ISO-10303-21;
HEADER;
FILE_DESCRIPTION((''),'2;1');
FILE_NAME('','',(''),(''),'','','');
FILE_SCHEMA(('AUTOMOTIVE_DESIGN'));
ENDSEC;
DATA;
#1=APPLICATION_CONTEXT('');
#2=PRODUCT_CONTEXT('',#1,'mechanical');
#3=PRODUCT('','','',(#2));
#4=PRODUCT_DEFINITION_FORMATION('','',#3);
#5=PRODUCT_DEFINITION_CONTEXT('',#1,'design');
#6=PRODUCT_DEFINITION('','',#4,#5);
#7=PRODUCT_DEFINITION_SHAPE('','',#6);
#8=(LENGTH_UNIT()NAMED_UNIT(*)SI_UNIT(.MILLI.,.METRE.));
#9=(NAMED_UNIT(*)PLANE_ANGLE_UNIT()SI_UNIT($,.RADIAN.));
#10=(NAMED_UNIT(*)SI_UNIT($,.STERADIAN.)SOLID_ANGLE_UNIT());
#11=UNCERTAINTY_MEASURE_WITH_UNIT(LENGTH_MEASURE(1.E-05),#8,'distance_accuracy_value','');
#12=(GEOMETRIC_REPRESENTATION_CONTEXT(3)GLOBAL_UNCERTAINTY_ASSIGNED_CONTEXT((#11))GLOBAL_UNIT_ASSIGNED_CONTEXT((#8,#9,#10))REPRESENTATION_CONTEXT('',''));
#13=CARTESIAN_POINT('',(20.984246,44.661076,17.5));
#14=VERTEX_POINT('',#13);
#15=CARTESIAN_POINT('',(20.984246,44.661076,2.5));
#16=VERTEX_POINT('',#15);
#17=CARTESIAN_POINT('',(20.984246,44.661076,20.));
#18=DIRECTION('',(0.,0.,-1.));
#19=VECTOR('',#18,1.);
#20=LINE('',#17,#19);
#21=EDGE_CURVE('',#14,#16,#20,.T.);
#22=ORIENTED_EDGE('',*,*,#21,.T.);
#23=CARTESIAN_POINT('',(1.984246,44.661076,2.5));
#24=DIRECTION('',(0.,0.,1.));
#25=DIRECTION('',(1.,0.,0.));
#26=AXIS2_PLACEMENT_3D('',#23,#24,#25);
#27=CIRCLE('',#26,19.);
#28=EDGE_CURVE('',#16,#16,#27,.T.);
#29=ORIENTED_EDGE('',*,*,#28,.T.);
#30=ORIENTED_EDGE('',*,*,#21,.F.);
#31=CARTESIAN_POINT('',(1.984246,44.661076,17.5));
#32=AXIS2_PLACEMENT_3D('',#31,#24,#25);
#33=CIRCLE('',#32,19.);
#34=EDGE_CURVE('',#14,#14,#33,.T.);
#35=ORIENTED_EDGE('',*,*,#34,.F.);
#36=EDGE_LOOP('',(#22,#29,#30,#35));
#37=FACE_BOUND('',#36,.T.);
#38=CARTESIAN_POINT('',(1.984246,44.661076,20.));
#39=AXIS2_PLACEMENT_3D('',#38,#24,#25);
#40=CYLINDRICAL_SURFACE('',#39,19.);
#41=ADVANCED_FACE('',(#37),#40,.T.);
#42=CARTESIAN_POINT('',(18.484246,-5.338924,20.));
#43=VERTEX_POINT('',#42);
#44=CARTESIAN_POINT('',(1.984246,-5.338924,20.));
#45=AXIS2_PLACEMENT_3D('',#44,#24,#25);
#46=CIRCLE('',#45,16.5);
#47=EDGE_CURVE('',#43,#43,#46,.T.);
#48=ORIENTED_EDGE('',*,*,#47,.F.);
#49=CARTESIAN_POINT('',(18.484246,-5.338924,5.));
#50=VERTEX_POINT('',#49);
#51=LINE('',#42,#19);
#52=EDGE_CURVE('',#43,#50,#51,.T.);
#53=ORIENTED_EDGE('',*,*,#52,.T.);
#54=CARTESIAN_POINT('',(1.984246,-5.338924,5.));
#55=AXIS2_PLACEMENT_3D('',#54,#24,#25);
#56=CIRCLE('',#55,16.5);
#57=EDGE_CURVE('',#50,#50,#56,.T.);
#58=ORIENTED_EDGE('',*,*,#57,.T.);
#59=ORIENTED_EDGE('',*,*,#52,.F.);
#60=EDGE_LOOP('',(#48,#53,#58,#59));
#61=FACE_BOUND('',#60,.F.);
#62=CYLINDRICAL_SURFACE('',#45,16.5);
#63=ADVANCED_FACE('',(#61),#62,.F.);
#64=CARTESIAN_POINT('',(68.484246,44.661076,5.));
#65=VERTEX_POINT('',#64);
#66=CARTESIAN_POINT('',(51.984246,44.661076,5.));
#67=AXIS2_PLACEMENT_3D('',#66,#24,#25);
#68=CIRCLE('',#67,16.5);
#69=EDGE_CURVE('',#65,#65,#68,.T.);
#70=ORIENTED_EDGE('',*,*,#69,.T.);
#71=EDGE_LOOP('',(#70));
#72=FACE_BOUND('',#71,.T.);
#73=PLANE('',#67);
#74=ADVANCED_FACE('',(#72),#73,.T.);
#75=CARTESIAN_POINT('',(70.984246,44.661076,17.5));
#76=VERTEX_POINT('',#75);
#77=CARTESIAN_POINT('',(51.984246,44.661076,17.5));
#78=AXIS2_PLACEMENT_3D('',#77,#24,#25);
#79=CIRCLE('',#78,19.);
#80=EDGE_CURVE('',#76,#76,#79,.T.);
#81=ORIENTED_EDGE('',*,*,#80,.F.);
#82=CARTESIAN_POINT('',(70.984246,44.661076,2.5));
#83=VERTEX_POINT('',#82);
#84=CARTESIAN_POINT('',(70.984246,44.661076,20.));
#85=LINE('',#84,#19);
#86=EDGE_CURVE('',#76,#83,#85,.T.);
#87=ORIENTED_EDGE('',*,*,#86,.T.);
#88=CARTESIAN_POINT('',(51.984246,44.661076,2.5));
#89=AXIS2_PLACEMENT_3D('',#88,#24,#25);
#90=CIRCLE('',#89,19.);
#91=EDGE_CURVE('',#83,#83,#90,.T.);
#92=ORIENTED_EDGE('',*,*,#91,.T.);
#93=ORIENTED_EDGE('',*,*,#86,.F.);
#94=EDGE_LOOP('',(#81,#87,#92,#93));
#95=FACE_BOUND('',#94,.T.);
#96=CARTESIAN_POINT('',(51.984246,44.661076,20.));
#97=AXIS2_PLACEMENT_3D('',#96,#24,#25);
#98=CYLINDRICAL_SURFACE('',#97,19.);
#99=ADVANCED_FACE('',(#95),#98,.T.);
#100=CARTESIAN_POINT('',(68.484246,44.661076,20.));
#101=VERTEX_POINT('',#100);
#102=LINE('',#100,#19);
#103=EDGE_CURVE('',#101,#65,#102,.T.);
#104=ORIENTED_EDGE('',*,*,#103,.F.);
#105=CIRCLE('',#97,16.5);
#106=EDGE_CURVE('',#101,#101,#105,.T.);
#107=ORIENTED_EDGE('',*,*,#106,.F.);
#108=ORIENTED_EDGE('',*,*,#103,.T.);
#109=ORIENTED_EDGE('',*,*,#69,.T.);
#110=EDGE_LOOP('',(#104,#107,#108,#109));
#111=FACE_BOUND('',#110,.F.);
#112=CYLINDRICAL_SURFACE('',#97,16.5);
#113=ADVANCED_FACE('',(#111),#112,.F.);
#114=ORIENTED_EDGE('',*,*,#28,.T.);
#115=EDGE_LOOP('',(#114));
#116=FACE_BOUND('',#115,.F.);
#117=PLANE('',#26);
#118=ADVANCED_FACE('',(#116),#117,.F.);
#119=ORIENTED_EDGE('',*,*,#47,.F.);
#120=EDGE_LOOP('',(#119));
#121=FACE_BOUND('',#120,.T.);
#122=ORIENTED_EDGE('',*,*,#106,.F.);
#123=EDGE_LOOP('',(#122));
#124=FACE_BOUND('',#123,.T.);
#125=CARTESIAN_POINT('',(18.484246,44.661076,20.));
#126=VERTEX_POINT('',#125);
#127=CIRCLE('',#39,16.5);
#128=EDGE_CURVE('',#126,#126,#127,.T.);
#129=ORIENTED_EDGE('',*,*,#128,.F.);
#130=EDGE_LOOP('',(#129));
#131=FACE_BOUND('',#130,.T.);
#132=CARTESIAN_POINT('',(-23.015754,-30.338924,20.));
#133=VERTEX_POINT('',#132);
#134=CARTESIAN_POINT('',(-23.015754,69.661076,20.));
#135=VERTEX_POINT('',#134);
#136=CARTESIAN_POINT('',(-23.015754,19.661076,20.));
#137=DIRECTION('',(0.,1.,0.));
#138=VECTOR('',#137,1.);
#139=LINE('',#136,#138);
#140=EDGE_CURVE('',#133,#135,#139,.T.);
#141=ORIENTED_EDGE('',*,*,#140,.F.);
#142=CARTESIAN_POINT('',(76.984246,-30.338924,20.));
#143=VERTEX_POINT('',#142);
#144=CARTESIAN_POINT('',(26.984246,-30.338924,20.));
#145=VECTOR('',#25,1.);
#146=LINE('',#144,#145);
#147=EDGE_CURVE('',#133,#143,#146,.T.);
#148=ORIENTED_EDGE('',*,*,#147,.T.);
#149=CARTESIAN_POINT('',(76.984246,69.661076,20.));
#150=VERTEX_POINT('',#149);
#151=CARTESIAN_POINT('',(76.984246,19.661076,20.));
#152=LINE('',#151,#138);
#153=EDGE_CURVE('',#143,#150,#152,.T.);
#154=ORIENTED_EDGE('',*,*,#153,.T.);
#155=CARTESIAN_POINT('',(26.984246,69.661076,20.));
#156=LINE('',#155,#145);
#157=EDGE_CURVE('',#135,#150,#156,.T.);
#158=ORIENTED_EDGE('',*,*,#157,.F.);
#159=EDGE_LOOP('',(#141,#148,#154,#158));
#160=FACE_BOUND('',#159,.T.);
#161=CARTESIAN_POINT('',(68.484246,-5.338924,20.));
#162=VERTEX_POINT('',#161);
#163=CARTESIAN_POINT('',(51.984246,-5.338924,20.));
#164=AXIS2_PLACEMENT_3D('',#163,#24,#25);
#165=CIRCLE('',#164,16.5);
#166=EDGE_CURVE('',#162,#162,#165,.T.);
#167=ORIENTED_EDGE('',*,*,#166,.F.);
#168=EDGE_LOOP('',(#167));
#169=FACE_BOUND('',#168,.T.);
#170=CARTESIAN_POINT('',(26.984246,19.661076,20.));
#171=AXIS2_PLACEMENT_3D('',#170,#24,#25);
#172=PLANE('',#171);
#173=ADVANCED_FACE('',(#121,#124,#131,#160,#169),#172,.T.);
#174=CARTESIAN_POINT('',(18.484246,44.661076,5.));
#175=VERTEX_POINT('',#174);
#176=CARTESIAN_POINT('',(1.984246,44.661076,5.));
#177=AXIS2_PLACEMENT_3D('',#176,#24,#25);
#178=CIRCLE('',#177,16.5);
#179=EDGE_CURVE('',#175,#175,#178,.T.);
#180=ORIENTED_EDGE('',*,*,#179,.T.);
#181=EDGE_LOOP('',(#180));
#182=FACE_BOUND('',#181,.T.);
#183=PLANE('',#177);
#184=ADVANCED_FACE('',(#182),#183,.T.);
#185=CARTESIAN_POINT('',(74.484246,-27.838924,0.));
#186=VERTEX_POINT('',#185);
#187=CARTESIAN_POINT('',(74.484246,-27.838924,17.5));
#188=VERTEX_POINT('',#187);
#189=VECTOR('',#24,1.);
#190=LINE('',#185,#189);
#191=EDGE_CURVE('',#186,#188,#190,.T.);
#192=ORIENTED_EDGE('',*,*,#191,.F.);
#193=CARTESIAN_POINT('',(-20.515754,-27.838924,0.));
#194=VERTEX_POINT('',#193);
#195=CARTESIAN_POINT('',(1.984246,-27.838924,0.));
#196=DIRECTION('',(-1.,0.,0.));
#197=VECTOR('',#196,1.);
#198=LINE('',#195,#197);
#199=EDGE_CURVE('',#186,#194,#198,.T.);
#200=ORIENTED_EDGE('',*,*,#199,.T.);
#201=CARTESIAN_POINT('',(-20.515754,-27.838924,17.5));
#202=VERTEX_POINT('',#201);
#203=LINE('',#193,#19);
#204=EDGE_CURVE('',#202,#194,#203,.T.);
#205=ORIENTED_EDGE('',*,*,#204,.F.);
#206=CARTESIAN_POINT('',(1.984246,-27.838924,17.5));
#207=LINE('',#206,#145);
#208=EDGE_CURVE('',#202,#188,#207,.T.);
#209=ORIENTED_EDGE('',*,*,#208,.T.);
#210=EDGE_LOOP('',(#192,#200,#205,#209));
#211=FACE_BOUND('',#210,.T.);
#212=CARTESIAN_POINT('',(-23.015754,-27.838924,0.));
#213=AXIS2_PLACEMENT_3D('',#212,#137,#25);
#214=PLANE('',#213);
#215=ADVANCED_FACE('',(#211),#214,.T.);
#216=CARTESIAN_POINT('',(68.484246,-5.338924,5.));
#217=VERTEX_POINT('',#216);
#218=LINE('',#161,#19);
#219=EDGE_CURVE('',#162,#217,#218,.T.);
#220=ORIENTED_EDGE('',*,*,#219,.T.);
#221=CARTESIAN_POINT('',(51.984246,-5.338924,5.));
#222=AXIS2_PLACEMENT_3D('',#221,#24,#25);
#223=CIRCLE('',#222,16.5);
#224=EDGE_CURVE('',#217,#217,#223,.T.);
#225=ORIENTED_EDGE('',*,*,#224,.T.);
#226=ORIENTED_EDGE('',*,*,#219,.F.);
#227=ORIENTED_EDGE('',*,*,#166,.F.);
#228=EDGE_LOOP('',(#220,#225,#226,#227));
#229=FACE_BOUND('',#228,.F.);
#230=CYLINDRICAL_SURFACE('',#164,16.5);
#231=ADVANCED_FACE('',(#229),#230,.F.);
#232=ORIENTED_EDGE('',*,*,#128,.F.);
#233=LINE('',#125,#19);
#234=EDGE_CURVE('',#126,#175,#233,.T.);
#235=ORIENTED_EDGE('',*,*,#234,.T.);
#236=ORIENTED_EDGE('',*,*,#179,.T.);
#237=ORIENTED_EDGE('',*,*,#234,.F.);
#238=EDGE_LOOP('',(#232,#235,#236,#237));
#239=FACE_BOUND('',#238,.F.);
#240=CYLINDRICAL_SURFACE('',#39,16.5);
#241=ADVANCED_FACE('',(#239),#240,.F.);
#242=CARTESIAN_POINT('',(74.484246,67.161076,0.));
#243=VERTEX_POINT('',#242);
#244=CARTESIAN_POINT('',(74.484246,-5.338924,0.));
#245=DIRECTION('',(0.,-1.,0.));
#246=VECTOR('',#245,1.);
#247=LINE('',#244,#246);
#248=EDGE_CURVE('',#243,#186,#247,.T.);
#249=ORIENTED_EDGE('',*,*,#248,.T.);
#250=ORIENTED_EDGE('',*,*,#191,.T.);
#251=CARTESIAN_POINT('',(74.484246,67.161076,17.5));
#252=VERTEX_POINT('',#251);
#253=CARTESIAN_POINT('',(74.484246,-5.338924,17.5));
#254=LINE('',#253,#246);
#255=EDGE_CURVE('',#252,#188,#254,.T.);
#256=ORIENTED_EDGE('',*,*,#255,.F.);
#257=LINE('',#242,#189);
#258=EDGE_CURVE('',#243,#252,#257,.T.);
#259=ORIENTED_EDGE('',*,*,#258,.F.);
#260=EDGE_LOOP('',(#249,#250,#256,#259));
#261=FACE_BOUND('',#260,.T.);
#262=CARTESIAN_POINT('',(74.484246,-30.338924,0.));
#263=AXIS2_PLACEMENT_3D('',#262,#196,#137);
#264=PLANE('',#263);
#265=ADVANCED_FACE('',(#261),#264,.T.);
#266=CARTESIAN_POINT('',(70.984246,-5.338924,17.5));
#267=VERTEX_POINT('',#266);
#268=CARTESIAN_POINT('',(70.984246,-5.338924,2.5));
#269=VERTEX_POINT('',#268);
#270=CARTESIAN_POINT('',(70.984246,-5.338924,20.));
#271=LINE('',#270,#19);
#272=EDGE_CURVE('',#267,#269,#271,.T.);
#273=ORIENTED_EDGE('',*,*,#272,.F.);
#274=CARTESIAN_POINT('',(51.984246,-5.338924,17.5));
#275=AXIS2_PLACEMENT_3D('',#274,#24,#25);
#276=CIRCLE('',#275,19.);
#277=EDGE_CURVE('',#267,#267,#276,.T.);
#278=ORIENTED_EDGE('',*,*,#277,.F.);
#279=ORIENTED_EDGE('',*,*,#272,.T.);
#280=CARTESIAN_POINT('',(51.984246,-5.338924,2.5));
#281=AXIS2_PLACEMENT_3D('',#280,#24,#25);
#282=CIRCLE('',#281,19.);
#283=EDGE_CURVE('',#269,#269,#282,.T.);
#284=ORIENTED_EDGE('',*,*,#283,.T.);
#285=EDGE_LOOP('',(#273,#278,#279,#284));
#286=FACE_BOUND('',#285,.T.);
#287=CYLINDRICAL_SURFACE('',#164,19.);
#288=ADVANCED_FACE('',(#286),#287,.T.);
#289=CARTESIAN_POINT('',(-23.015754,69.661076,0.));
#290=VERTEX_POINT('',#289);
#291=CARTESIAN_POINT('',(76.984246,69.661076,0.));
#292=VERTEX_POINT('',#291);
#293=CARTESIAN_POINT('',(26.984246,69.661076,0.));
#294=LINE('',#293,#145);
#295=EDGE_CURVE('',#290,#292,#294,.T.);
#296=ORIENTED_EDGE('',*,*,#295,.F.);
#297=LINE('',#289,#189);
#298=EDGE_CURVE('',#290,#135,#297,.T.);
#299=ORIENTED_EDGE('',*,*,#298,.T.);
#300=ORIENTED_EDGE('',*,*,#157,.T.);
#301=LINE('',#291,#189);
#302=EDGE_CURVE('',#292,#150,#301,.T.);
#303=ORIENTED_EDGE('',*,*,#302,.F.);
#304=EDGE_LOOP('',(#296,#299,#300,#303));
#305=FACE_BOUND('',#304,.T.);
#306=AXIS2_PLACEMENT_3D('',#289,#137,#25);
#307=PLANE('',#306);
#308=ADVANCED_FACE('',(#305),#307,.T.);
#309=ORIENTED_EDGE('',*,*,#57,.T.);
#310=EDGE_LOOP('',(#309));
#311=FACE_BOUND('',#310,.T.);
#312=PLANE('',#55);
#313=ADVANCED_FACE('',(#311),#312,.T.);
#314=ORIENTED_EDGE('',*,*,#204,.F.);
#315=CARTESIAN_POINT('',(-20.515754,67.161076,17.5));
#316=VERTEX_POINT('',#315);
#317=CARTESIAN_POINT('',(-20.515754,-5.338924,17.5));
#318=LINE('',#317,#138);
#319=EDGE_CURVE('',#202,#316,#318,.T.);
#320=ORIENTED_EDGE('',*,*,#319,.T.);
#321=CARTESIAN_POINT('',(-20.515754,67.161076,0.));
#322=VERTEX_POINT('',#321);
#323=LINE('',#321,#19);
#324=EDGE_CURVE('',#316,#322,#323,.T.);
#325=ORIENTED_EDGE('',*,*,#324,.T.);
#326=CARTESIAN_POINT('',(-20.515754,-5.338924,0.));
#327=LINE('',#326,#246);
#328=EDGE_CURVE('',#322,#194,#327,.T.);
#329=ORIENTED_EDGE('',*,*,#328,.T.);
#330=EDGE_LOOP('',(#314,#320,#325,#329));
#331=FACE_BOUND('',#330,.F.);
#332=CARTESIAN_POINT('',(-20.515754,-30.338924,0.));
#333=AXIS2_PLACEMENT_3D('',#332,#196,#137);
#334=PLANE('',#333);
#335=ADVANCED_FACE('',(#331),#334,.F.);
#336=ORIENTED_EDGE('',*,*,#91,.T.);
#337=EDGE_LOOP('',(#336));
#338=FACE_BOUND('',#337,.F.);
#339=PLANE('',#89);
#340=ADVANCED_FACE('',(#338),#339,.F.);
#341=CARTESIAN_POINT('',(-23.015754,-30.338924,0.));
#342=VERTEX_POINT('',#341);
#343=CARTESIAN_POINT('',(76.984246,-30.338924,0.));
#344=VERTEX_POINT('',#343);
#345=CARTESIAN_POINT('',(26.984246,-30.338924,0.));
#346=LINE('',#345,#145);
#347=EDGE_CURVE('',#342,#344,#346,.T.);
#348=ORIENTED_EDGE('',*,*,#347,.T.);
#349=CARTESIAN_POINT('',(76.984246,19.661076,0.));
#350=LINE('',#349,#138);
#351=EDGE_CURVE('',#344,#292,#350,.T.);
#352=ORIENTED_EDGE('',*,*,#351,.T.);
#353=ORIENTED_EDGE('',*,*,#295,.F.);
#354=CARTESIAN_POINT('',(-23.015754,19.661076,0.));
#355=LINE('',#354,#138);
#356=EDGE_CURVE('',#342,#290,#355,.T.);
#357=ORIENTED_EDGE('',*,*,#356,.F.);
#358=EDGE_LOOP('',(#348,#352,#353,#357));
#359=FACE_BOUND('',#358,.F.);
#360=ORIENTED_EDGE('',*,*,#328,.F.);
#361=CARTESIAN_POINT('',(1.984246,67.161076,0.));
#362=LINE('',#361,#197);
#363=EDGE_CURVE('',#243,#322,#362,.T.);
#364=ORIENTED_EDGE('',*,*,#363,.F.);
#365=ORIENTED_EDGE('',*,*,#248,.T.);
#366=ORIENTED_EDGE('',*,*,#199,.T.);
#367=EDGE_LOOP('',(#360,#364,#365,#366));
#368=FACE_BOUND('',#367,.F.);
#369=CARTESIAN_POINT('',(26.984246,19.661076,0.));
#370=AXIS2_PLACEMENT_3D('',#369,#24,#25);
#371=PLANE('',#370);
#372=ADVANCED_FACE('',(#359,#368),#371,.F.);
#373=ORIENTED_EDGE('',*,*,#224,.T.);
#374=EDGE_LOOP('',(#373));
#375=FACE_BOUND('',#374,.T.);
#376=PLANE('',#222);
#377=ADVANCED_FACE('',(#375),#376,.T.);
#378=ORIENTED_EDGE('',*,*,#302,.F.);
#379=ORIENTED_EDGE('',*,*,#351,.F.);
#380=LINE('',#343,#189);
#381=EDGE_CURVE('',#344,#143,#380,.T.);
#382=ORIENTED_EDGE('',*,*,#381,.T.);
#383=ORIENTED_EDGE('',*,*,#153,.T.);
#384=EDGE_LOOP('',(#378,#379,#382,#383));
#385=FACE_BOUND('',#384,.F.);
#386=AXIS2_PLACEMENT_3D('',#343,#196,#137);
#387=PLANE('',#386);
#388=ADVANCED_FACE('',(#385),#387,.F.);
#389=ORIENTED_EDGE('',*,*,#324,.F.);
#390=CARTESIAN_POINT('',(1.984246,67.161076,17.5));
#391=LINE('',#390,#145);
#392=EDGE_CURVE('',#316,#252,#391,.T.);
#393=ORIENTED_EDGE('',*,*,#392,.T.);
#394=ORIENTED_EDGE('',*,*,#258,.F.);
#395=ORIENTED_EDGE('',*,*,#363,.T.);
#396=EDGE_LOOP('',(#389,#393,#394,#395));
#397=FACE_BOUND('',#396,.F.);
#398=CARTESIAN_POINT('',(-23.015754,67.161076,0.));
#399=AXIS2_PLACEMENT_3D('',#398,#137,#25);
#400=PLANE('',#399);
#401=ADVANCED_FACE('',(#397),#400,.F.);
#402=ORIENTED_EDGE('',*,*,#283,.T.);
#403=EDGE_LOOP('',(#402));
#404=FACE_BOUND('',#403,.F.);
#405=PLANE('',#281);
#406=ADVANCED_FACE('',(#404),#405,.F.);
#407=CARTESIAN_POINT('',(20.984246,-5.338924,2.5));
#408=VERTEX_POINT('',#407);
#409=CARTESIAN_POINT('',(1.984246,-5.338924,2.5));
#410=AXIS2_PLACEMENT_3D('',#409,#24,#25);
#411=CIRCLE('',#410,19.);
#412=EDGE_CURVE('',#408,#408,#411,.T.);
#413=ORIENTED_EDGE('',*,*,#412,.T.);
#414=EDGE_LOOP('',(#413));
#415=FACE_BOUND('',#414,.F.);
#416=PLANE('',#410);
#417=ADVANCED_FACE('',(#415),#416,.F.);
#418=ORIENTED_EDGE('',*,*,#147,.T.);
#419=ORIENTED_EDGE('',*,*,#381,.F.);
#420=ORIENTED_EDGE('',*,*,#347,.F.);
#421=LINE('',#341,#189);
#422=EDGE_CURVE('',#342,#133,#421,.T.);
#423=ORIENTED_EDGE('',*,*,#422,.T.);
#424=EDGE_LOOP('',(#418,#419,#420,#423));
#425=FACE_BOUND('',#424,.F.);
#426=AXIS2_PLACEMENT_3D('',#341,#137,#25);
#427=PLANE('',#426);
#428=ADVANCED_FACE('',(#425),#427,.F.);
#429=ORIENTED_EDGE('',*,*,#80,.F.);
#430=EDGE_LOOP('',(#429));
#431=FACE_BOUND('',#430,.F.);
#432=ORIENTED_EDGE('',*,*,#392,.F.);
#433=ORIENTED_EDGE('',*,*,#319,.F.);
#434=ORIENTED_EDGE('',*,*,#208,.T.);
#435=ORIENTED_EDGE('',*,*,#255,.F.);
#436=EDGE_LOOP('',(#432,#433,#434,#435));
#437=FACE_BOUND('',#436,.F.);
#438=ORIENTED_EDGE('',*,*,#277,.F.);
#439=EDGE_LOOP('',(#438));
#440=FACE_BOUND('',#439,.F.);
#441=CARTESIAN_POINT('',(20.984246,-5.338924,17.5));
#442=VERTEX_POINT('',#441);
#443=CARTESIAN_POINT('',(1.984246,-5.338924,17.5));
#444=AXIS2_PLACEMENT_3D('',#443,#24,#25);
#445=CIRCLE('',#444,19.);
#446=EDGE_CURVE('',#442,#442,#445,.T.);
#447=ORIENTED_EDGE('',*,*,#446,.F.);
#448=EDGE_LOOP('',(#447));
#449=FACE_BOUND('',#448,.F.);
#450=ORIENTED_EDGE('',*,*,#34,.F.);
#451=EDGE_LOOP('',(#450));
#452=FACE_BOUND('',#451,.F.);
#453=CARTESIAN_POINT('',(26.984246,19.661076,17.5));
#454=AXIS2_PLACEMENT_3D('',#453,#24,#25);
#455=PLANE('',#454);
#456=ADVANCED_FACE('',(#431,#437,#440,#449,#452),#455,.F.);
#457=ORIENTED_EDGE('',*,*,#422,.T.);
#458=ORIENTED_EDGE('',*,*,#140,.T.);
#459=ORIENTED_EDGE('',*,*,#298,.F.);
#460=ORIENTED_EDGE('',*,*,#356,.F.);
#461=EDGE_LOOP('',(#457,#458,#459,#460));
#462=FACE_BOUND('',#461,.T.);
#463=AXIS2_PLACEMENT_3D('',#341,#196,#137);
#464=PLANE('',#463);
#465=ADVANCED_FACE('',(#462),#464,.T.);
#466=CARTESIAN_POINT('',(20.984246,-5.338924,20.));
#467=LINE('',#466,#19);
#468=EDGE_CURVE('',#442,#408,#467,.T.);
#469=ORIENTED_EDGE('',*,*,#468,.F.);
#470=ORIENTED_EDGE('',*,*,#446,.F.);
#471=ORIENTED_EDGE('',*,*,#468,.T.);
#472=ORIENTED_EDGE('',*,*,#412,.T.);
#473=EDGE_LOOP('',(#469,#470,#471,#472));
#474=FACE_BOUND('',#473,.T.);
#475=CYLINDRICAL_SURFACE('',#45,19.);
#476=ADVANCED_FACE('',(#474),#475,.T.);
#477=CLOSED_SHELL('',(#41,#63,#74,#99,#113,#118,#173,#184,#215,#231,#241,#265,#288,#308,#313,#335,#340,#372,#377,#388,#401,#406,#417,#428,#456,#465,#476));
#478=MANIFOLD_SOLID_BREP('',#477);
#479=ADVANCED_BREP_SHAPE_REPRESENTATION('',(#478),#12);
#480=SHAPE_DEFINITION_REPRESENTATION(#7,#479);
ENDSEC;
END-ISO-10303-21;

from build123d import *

# Parameters (mm, degrees)
F0_W     = 100
F0_H     = 100
F1_DEPTH = 20
F2_R     = 16.5
F3_DEPTH = 15
F4_T     = -2.5


with BuildPart() as f1:
    # F0 (on Top) → F1 (new body)
    with BuildSketch(Plane.XY):
        with Locations((26.9842460752, 19.6610757008)):
            Rectangle(F0_W, F0_H)
    extrude(amount=F1_DEPTH)

    # F2 (on face) → F3 (cut)
    with BuildSketch(Plane.XY.offset(20)):
        with Locations((1.9842460752, 44.6610757008)):
            Circle(F2_R)
        with Locations((51.9842460752, 44.6610757008)):
            Circle(F2_R)
        with Locations((51.9842460752, -5.3389242992)):
            Circle(F2_R)
        with Locations((1.9842460752, -5.3389242992)):
            Circle(F2_R)
    extrude(amount=-F3_DEPTH, mode=Mode.SUBTRACT)

    # F4
    f4_openings = [f1.faces().sort_by_distance(p)[0] for p in [
        (26.984246, 19.661076, 0),
    ]]
    offset(amount=F4_T, openings=f4_openings, kind=Kind.INTERSECTION)


solid = f1.part
